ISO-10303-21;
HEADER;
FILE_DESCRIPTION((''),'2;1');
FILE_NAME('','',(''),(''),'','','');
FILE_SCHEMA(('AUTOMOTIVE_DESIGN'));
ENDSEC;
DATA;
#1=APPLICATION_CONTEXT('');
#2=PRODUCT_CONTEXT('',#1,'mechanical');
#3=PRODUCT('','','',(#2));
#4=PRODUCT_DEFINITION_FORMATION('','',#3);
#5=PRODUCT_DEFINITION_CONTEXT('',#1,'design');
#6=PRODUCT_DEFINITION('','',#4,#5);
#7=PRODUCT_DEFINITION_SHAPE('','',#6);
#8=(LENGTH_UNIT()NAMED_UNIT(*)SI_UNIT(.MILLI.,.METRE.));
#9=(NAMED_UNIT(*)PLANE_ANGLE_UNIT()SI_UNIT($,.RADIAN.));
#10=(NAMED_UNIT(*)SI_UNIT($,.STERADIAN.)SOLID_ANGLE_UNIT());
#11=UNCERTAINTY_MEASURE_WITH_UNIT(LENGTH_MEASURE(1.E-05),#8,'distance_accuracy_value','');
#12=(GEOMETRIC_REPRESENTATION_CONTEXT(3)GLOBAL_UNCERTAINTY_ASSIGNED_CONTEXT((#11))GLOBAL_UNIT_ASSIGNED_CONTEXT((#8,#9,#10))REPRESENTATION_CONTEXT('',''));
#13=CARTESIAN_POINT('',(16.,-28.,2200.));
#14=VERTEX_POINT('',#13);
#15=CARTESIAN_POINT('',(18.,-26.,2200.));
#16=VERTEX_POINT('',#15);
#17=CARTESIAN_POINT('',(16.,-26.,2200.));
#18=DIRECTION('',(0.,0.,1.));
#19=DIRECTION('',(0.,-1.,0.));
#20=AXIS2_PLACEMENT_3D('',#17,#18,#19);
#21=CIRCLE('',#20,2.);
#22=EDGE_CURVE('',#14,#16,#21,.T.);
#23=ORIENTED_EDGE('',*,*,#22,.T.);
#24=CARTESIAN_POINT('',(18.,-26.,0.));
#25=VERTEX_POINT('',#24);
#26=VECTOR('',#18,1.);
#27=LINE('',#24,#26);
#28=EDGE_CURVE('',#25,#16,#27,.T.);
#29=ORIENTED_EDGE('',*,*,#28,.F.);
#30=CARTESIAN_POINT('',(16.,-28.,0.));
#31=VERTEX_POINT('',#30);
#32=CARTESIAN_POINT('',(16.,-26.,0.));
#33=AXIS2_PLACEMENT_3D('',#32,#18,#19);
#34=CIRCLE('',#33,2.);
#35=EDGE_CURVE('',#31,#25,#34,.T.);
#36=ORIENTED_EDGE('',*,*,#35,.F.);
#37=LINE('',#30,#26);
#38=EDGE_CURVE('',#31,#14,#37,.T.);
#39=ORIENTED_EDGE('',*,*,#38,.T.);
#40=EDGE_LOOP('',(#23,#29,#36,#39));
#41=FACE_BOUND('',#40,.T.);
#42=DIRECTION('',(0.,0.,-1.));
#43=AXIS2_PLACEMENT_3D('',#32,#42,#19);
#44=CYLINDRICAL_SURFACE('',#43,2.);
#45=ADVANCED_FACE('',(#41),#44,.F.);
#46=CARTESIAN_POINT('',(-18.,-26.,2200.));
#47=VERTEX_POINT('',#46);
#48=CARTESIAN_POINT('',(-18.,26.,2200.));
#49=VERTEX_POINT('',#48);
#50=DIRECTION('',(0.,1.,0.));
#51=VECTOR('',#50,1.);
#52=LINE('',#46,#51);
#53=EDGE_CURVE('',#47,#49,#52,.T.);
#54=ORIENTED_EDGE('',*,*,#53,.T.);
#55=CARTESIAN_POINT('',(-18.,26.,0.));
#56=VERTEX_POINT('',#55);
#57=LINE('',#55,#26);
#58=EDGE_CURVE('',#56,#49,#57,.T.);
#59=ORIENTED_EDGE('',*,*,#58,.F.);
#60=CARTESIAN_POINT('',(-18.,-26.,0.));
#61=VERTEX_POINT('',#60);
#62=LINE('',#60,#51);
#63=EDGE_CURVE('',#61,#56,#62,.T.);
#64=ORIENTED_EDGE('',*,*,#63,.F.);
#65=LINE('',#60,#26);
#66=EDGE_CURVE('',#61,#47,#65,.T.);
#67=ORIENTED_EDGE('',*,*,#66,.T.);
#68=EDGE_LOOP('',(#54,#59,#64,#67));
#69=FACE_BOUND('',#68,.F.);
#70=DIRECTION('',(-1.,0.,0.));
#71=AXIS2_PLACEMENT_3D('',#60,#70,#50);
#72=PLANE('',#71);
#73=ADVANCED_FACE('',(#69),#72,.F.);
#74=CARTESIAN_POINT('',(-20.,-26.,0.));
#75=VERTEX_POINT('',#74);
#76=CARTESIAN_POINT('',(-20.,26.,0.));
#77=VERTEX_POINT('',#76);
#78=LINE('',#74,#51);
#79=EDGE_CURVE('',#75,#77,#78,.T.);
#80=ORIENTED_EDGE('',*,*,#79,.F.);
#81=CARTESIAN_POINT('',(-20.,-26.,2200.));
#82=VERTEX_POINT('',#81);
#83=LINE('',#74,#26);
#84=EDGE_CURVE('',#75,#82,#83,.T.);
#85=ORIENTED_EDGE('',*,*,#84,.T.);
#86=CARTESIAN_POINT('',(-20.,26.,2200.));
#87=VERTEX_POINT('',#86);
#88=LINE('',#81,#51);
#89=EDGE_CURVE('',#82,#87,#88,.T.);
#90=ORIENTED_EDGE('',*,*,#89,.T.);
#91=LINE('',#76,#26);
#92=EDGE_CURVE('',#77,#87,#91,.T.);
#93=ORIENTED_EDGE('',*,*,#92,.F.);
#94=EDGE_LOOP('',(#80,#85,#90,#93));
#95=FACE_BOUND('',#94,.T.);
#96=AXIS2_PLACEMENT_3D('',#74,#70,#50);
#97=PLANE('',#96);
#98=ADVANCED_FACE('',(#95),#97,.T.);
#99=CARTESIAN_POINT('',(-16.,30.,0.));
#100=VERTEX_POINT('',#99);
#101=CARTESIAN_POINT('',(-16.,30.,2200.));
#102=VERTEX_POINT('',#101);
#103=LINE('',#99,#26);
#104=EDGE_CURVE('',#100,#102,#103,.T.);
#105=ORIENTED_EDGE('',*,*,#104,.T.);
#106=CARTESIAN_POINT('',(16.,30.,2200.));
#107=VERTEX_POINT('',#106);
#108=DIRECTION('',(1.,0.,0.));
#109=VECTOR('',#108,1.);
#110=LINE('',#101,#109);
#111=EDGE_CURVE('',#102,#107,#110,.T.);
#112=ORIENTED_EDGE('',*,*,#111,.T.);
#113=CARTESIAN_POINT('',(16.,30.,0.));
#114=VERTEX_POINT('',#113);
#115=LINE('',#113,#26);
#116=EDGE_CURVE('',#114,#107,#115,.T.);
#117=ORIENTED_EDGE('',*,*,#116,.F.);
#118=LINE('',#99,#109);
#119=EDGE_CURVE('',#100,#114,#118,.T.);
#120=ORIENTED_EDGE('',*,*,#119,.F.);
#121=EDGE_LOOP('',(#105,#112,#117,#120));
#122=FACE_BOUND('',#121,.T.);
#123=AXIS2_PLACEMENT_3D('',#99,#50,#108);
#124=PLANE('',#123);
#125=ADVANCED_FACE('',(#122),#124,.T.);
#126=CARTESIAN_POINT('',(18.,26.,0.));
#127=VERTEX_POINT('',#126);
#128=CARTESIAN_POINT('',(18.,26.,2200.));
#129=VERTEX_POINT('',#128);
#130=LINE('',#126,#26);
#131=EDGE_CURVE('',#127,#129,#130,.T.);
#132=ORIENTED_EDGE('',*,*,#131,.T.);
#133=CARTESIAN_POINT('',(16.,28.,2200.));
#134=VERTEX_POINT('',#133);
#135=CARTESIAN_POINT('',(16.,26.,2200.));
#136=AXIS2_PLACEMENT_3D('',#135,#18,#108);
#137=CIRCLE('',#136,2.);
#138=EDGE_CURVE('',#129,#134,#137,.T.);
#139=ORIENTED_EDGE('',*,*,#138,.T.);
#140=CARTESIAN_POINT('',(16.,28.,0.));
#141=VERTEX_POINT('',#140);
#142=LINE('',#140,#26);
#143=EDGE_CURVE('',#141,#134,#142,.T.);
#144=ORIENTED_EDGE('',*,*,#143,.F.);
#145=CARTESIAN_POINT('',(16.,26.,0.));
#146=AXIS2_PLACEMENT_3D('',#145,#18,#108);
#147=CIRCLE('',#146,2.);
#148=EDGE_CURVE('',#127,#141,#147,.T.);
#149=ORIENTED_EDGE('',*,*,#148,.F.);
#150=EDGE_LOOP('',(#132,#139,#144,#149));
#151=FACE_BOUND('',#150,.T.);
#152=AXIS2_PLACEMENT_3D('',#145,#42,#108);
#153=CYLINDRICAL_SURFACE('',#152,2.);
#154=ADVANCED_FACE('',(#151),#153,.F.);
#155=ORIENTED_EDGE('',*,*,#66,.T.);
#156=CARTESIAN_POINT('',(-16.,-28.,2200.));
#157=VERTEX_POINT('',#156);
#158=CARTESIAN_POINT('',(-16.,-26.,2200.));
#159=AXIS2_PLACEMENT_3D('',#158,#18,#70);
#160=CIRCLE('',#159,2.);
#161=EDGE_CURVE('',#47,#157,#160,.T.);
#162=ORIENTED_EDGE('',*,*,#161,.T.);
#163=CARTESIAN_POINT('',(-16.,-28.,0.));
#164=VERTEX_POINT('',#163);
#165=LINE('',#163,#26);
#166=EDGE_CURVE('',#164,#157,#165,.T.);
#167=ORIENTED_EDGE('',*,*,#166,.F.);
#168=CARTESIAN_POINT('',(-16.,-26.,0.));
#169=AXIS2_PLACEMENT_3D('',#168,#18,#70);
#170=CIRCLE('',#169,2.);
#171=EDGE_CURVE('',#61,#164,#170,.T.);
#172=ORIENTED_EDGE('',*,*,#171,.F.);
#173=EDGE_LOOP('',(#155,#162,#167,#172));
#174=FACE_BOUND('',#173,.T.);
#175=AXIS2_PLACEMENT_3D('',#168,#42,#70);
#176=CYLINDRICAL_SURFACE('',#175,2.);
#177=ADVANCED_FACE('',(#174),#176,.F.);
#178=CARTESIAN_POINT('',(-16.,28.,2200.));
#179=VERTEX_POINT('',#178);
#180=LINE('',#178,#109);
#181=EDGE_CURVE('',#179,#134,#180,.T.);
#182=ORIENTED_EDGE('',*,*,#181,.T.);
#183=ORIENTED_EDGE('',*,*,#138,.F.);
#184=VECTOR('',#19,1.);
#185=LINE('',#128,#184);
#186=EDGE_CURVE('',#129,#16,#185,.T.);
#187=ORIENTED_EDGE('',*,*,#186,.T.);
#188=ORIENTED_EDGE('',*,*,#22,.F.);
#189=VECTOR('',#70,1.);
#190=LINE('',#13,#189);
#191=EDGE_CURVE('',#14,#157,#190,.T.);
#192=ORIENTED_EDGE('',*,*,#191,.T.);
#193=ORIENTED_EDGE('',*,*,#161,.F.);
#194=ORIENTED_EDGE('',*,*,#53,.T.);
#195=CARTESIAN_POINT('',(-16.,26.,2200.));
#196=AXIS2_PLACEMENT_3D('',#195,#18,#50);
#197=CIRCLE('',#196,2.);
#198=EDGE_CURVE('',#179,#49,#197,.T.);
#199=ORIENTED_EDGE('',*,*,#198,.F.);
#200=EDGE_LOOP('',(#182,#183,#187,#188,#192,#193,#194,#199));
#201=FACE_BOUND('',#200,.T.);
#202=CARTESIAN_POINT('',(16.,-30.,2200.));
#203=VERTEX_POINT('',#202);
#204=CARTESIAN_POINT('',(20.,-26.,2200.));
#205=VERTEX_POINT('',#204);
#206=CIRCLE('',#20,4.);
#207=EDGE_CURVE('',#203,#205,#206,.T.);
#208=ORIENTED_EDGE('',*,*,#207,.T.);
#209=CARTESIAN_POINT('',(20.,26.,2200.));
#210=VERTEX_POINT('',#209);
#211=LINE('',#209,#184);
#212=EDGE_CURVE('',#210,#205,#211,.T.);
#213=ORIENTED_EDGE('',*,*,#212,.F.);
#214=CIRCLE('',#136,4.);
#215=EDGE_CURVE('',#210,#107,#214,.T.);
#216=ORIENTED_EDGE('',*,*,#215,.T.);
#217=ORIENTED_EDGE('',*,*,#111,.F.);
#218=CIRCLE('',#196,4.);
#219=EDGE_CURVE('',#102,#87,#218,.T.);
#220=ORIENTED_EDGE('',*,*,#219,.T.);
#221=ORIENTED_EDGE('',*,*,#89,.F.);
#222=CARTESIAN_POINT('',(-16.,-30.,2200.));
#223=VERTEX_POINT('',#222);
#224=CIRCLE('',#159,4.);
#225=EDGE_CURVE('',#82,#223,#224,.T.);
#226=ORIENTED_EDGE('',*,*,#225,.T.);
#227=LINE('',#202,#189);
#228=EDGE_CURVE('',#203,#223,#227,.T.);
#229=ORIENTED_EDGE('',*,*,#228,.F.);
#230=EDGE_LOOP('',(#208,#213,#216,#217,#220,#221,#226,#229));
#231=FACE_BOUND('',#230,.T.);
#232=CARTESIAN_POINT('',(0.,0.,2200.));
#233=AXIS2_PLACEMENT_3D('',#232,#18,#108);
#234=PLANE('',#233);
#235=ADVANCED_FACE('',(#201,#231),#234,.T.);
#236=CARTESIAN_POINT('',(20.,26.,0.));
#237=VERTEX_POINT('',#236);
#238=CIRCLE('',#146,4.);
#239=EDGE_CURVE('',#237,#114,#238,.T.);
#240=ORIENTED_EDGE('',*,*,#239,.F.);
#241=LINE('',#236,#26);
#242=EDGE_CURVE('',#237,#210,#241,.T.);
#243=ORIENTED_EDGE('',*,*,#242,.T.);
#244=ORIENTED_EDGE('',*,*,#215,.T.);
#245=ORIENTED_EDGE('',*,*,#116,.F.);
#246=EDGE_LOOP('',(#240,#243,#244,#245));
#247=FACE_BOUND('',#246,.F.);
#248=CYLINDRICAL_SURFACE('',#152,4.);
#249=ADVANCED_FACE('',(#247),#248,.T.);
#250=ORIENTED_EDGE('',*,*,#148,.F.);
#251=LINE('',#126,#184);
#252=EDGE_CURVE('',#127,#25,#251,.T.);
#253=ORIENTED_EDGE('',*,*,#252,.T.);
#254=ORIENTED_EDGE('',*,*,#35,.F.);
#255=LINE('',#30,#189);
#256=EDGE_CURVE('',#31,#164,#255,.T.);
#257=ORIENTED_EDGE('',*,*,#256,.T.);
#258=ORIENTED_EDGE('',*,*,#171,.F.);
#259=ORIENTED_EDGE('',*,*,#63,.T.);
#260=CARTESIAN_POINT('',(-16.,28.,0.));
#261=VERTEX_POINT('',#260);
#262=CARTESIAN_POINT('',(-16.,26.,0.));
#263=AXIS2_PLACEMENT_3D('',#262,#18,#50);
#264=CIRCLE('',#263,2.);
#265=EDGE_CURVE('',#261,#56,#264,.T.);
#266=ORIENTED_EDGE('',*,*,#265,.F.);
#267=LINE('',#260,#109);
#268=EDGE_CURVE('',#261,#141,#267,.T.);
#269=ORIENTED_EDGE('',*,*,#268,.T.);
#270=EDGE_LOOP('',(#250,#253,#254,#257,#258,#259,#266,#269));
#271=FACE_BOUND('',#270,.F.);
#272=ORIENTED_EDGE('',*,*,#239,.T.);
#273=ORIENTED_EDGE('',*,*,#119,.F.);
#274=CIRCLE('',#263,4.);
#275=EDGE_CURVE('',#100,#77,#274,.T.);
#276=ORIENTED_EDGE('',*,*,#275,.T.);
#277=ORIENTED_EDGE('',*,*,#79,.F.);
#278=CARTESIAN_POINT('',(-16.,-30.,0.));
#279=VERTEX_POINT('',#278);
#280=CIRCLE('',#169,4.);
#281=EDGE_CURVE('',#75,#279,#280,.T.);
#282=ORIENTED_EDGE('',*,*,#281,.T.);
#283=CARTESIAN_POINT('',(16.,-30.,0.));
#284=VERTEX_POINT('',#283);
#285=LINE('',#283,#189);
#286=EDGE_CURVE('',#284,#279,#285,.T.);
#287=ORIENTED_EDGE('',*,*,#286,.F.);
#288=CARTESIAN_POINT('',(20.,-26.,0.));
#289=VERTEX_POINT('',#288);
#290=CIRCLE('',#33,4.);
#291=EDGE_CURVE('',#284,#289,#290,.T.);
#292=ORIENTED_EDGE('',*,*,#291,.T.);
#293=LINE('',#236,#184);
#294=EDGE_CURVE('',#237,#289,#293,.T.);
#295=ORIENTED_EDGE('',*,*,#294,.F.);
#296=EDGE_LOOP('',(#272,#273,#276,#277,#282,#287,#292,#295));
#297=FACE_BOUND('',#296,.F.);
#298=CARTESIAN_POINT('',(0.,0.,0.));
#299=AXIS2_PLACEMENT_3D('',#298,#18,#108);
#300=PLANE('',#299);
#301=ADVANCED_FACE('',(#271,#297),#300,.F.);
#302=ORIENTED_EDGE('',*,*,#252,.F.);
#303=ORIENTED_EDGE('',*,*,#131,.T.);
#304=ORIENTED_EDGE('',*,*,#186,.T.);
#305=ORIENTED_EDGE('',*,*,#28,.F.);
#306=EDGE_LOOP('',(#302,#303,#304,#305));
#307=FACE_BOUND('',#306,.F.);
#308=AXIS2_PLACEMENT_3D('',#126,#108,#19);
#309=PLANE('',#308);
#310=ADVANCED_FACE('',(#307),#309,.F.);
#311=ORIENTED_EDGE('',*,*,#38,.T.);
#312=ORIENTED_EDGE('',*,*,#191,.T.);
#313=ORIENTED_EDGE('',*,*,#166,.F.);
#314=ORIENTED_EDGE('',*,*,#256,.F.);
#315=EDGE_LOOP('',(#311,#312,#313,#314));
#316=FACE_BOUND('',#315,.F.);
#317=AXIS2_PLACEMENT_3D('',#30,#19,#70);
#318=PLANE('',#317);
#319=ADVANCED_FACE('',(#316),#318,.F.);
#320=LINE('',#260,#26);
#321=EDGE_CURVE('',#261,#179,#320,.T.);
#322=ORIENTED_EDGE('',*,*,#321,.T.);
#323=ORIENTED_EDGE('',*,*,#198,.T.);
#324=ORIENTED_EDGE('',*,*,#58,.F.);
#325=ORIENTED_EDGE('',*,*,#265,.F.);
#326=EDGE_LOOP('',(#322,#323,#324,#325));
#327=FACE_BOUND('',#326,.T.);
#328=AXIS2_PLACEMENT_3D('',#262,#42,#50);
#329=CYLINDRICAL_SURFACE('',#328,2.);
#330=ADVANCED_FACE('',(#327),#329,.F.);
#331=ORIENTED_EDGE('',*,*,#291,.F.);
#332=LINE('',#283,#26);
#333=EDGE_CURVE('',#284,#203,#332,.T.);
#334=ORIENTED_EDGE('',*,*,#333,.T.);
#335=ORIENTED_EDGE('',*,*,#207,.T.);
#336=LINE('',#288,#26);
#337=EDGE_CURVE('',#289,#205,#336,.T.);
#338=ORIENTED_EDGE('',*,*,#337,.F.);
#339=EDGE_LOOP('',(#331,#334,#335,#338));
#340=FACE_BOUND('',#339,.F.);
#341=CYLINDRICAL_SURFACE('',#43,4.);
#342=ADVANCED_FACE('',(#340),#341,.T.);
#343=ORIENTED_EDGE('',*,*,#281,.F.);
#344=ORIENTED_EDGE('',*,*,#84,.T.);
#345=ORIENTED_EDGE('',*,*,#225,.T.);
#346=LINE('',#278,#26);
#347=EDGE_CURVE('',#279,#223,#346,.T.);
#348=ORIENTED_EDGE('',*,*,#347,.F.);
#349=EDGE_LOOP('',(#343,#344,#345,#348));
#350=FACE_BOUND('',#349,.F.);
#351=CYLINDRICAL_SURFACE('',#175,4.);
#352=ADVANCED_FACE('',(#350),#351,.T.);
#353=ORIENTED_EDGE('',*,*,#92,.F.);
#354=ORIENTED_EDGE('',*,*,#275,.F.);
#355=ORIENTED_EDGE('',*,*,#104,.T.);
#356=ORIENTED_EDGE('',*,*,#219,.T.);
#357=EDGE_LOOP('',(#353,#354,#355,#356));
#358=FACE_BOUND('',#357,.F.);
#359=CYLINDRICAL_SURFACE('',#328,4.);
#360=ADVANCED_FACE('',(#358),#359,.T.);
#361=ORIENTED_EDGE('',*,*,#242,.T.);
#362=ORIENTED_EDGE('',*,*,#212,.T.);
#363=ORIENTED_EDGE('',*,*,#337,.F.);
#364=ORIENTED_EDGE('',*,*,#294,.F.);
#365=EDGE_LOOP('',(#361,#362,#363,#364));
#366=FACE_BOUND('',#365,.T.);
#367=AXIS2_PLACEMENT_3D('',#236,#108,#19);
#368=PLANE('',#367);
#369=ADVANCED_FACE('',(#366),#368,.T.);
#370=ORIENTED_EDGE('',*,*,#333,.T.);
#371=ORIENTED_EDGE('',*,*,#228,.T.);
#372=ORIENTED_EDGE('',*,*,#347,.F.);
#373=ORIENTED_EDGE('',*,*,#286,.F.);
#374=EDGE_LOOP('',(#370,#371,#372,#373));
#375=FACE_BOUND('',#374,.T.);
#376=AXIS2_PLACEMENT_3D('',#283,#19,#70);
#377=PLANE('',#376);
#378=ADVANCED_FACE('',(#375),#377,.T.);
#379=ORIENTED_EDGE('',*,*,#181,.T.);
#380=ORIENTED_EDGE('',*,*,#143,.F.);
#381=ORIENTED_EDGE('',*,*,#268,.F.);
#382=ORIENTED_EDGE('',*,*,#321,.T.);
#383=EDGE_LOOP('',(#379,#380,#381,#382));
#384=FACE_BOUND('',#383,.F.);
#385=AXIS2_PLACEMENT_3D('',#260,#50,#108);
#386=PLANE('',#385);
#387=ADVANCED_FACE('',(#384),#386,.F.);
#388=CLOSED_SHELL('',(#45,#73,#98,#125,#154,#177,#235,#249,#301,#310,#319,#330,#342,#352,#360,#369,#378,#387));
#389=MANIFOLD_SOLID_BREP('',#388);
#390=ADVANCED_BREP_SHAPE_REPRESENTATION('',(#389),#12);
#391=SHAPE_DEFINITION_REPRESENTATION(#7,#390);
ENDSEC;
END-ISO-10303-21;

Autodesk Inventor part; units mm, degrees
ref_plane "YZ Plane" through (0, 0, 0) normal (1, 0, 0) x (0, 1, 0)
ref_plane "Start Plane" through (0, 0, 0) normal (0, 0, 1) x (1, 0, 0)
ref_plane "End Plane" through (0, 0, 2200) normal (0, 0, 1) x (1, 0, 0)
sketch "Sketch" plane through (0, 0, 0) normal (0, 0, 1) x (1, 0, 0)
  line L0 (-20, -26) -> (-20, 26)
  line L1 (-16, 30) -> (16, 30)
  line L2 (20, 26) -> (20, -26)
  line L3 (16, -30) -> (-16, -30)
  arc A0 (-20, -26) -> (-16, -30) centre (-16, -26) ccw
  arc A1 (20, 26) -> (16, 30) centre (16, 26) ccw
  arc A2 (-16, 30) -> (-20, 26) centre (-16, 26) ccw
  arc A3 (16, -30) -> (20, -26) centre (16, -26) ccw
  arc A4 (-16, 28) -> (-18, 26) centre (-16, 26) ccw
  line L4 (-16, 28) -> (16, 28)
  arc A5 (18, 26) -> (16, 28) centre (16, 26) ccw
  line L5 (18, 26) -> (18, -26)
  arc A6 (16, -28) -> (18, -26) centre (16, -26) ccw
  line L6 (16, -28) -> (-16, -28)
  arc A7 (-18, -26) -> (-16, -28) centre (-16, -26) ccw
  line L7 (-18, -26) -> (-18, 26)
  line L8 (0, 43.1598) -> (0, -43.1598) construction
  line L9 (-29.1598, 0) -> (29.1598, 0) construction
  dimension "d7" = 4
  dimension "d9" = 40
  dimension "d11" = 60
  dimension "d12" = 2
  dimension "d15" = 20
  dimension "d16" = 30
extrude "Body" add sketch "Sketch" along normal up to surface (2200 mm away) from surface at 0
sketch "Sketch3" plane through (0, 0, 0) normal (0, 0, 1) x (1, 0, 0)
  line L0 (0, 0) -> (10, 0)
ref_plane "Work Plane3" through (0, 0, 0) normal (0, -1, 0) x (1, 0, 0)
sketch "Sketch4" plane through (0, 0, 0) normal (0, -1, 0) x (1, 0, 0)
  line L0 (-2, 0) -> (12, 0) projected
  line L1 (-2, 2200) -> (12, 2200) projected
  dimension "d18" = 2200
equation "\"d7\" = G_IR"
equation "\"d9\" = G_W"
equation "\"d11\" = G_H"
equation "\"d12\" = G_T"
equation "\"d15\" = 0.5 * d9"
equation "\"d16\" = 0.5 * d11"
equation "\"d3\" = G_L"
equation "\"G_W\" = 40"
equation "\"G_H\" = 60"
equation "\"G_T\" = 2"
equation "\"G_IR\" = 4"
equation "\"G_L\" = d18"
equation "\"G_OFFSET_START\" = 0"
equation "\"G_OFFSET_END\" = 0"
properties part number "ISO 4019 - 60x40x2 - 2200" material "Steel, Mild"
